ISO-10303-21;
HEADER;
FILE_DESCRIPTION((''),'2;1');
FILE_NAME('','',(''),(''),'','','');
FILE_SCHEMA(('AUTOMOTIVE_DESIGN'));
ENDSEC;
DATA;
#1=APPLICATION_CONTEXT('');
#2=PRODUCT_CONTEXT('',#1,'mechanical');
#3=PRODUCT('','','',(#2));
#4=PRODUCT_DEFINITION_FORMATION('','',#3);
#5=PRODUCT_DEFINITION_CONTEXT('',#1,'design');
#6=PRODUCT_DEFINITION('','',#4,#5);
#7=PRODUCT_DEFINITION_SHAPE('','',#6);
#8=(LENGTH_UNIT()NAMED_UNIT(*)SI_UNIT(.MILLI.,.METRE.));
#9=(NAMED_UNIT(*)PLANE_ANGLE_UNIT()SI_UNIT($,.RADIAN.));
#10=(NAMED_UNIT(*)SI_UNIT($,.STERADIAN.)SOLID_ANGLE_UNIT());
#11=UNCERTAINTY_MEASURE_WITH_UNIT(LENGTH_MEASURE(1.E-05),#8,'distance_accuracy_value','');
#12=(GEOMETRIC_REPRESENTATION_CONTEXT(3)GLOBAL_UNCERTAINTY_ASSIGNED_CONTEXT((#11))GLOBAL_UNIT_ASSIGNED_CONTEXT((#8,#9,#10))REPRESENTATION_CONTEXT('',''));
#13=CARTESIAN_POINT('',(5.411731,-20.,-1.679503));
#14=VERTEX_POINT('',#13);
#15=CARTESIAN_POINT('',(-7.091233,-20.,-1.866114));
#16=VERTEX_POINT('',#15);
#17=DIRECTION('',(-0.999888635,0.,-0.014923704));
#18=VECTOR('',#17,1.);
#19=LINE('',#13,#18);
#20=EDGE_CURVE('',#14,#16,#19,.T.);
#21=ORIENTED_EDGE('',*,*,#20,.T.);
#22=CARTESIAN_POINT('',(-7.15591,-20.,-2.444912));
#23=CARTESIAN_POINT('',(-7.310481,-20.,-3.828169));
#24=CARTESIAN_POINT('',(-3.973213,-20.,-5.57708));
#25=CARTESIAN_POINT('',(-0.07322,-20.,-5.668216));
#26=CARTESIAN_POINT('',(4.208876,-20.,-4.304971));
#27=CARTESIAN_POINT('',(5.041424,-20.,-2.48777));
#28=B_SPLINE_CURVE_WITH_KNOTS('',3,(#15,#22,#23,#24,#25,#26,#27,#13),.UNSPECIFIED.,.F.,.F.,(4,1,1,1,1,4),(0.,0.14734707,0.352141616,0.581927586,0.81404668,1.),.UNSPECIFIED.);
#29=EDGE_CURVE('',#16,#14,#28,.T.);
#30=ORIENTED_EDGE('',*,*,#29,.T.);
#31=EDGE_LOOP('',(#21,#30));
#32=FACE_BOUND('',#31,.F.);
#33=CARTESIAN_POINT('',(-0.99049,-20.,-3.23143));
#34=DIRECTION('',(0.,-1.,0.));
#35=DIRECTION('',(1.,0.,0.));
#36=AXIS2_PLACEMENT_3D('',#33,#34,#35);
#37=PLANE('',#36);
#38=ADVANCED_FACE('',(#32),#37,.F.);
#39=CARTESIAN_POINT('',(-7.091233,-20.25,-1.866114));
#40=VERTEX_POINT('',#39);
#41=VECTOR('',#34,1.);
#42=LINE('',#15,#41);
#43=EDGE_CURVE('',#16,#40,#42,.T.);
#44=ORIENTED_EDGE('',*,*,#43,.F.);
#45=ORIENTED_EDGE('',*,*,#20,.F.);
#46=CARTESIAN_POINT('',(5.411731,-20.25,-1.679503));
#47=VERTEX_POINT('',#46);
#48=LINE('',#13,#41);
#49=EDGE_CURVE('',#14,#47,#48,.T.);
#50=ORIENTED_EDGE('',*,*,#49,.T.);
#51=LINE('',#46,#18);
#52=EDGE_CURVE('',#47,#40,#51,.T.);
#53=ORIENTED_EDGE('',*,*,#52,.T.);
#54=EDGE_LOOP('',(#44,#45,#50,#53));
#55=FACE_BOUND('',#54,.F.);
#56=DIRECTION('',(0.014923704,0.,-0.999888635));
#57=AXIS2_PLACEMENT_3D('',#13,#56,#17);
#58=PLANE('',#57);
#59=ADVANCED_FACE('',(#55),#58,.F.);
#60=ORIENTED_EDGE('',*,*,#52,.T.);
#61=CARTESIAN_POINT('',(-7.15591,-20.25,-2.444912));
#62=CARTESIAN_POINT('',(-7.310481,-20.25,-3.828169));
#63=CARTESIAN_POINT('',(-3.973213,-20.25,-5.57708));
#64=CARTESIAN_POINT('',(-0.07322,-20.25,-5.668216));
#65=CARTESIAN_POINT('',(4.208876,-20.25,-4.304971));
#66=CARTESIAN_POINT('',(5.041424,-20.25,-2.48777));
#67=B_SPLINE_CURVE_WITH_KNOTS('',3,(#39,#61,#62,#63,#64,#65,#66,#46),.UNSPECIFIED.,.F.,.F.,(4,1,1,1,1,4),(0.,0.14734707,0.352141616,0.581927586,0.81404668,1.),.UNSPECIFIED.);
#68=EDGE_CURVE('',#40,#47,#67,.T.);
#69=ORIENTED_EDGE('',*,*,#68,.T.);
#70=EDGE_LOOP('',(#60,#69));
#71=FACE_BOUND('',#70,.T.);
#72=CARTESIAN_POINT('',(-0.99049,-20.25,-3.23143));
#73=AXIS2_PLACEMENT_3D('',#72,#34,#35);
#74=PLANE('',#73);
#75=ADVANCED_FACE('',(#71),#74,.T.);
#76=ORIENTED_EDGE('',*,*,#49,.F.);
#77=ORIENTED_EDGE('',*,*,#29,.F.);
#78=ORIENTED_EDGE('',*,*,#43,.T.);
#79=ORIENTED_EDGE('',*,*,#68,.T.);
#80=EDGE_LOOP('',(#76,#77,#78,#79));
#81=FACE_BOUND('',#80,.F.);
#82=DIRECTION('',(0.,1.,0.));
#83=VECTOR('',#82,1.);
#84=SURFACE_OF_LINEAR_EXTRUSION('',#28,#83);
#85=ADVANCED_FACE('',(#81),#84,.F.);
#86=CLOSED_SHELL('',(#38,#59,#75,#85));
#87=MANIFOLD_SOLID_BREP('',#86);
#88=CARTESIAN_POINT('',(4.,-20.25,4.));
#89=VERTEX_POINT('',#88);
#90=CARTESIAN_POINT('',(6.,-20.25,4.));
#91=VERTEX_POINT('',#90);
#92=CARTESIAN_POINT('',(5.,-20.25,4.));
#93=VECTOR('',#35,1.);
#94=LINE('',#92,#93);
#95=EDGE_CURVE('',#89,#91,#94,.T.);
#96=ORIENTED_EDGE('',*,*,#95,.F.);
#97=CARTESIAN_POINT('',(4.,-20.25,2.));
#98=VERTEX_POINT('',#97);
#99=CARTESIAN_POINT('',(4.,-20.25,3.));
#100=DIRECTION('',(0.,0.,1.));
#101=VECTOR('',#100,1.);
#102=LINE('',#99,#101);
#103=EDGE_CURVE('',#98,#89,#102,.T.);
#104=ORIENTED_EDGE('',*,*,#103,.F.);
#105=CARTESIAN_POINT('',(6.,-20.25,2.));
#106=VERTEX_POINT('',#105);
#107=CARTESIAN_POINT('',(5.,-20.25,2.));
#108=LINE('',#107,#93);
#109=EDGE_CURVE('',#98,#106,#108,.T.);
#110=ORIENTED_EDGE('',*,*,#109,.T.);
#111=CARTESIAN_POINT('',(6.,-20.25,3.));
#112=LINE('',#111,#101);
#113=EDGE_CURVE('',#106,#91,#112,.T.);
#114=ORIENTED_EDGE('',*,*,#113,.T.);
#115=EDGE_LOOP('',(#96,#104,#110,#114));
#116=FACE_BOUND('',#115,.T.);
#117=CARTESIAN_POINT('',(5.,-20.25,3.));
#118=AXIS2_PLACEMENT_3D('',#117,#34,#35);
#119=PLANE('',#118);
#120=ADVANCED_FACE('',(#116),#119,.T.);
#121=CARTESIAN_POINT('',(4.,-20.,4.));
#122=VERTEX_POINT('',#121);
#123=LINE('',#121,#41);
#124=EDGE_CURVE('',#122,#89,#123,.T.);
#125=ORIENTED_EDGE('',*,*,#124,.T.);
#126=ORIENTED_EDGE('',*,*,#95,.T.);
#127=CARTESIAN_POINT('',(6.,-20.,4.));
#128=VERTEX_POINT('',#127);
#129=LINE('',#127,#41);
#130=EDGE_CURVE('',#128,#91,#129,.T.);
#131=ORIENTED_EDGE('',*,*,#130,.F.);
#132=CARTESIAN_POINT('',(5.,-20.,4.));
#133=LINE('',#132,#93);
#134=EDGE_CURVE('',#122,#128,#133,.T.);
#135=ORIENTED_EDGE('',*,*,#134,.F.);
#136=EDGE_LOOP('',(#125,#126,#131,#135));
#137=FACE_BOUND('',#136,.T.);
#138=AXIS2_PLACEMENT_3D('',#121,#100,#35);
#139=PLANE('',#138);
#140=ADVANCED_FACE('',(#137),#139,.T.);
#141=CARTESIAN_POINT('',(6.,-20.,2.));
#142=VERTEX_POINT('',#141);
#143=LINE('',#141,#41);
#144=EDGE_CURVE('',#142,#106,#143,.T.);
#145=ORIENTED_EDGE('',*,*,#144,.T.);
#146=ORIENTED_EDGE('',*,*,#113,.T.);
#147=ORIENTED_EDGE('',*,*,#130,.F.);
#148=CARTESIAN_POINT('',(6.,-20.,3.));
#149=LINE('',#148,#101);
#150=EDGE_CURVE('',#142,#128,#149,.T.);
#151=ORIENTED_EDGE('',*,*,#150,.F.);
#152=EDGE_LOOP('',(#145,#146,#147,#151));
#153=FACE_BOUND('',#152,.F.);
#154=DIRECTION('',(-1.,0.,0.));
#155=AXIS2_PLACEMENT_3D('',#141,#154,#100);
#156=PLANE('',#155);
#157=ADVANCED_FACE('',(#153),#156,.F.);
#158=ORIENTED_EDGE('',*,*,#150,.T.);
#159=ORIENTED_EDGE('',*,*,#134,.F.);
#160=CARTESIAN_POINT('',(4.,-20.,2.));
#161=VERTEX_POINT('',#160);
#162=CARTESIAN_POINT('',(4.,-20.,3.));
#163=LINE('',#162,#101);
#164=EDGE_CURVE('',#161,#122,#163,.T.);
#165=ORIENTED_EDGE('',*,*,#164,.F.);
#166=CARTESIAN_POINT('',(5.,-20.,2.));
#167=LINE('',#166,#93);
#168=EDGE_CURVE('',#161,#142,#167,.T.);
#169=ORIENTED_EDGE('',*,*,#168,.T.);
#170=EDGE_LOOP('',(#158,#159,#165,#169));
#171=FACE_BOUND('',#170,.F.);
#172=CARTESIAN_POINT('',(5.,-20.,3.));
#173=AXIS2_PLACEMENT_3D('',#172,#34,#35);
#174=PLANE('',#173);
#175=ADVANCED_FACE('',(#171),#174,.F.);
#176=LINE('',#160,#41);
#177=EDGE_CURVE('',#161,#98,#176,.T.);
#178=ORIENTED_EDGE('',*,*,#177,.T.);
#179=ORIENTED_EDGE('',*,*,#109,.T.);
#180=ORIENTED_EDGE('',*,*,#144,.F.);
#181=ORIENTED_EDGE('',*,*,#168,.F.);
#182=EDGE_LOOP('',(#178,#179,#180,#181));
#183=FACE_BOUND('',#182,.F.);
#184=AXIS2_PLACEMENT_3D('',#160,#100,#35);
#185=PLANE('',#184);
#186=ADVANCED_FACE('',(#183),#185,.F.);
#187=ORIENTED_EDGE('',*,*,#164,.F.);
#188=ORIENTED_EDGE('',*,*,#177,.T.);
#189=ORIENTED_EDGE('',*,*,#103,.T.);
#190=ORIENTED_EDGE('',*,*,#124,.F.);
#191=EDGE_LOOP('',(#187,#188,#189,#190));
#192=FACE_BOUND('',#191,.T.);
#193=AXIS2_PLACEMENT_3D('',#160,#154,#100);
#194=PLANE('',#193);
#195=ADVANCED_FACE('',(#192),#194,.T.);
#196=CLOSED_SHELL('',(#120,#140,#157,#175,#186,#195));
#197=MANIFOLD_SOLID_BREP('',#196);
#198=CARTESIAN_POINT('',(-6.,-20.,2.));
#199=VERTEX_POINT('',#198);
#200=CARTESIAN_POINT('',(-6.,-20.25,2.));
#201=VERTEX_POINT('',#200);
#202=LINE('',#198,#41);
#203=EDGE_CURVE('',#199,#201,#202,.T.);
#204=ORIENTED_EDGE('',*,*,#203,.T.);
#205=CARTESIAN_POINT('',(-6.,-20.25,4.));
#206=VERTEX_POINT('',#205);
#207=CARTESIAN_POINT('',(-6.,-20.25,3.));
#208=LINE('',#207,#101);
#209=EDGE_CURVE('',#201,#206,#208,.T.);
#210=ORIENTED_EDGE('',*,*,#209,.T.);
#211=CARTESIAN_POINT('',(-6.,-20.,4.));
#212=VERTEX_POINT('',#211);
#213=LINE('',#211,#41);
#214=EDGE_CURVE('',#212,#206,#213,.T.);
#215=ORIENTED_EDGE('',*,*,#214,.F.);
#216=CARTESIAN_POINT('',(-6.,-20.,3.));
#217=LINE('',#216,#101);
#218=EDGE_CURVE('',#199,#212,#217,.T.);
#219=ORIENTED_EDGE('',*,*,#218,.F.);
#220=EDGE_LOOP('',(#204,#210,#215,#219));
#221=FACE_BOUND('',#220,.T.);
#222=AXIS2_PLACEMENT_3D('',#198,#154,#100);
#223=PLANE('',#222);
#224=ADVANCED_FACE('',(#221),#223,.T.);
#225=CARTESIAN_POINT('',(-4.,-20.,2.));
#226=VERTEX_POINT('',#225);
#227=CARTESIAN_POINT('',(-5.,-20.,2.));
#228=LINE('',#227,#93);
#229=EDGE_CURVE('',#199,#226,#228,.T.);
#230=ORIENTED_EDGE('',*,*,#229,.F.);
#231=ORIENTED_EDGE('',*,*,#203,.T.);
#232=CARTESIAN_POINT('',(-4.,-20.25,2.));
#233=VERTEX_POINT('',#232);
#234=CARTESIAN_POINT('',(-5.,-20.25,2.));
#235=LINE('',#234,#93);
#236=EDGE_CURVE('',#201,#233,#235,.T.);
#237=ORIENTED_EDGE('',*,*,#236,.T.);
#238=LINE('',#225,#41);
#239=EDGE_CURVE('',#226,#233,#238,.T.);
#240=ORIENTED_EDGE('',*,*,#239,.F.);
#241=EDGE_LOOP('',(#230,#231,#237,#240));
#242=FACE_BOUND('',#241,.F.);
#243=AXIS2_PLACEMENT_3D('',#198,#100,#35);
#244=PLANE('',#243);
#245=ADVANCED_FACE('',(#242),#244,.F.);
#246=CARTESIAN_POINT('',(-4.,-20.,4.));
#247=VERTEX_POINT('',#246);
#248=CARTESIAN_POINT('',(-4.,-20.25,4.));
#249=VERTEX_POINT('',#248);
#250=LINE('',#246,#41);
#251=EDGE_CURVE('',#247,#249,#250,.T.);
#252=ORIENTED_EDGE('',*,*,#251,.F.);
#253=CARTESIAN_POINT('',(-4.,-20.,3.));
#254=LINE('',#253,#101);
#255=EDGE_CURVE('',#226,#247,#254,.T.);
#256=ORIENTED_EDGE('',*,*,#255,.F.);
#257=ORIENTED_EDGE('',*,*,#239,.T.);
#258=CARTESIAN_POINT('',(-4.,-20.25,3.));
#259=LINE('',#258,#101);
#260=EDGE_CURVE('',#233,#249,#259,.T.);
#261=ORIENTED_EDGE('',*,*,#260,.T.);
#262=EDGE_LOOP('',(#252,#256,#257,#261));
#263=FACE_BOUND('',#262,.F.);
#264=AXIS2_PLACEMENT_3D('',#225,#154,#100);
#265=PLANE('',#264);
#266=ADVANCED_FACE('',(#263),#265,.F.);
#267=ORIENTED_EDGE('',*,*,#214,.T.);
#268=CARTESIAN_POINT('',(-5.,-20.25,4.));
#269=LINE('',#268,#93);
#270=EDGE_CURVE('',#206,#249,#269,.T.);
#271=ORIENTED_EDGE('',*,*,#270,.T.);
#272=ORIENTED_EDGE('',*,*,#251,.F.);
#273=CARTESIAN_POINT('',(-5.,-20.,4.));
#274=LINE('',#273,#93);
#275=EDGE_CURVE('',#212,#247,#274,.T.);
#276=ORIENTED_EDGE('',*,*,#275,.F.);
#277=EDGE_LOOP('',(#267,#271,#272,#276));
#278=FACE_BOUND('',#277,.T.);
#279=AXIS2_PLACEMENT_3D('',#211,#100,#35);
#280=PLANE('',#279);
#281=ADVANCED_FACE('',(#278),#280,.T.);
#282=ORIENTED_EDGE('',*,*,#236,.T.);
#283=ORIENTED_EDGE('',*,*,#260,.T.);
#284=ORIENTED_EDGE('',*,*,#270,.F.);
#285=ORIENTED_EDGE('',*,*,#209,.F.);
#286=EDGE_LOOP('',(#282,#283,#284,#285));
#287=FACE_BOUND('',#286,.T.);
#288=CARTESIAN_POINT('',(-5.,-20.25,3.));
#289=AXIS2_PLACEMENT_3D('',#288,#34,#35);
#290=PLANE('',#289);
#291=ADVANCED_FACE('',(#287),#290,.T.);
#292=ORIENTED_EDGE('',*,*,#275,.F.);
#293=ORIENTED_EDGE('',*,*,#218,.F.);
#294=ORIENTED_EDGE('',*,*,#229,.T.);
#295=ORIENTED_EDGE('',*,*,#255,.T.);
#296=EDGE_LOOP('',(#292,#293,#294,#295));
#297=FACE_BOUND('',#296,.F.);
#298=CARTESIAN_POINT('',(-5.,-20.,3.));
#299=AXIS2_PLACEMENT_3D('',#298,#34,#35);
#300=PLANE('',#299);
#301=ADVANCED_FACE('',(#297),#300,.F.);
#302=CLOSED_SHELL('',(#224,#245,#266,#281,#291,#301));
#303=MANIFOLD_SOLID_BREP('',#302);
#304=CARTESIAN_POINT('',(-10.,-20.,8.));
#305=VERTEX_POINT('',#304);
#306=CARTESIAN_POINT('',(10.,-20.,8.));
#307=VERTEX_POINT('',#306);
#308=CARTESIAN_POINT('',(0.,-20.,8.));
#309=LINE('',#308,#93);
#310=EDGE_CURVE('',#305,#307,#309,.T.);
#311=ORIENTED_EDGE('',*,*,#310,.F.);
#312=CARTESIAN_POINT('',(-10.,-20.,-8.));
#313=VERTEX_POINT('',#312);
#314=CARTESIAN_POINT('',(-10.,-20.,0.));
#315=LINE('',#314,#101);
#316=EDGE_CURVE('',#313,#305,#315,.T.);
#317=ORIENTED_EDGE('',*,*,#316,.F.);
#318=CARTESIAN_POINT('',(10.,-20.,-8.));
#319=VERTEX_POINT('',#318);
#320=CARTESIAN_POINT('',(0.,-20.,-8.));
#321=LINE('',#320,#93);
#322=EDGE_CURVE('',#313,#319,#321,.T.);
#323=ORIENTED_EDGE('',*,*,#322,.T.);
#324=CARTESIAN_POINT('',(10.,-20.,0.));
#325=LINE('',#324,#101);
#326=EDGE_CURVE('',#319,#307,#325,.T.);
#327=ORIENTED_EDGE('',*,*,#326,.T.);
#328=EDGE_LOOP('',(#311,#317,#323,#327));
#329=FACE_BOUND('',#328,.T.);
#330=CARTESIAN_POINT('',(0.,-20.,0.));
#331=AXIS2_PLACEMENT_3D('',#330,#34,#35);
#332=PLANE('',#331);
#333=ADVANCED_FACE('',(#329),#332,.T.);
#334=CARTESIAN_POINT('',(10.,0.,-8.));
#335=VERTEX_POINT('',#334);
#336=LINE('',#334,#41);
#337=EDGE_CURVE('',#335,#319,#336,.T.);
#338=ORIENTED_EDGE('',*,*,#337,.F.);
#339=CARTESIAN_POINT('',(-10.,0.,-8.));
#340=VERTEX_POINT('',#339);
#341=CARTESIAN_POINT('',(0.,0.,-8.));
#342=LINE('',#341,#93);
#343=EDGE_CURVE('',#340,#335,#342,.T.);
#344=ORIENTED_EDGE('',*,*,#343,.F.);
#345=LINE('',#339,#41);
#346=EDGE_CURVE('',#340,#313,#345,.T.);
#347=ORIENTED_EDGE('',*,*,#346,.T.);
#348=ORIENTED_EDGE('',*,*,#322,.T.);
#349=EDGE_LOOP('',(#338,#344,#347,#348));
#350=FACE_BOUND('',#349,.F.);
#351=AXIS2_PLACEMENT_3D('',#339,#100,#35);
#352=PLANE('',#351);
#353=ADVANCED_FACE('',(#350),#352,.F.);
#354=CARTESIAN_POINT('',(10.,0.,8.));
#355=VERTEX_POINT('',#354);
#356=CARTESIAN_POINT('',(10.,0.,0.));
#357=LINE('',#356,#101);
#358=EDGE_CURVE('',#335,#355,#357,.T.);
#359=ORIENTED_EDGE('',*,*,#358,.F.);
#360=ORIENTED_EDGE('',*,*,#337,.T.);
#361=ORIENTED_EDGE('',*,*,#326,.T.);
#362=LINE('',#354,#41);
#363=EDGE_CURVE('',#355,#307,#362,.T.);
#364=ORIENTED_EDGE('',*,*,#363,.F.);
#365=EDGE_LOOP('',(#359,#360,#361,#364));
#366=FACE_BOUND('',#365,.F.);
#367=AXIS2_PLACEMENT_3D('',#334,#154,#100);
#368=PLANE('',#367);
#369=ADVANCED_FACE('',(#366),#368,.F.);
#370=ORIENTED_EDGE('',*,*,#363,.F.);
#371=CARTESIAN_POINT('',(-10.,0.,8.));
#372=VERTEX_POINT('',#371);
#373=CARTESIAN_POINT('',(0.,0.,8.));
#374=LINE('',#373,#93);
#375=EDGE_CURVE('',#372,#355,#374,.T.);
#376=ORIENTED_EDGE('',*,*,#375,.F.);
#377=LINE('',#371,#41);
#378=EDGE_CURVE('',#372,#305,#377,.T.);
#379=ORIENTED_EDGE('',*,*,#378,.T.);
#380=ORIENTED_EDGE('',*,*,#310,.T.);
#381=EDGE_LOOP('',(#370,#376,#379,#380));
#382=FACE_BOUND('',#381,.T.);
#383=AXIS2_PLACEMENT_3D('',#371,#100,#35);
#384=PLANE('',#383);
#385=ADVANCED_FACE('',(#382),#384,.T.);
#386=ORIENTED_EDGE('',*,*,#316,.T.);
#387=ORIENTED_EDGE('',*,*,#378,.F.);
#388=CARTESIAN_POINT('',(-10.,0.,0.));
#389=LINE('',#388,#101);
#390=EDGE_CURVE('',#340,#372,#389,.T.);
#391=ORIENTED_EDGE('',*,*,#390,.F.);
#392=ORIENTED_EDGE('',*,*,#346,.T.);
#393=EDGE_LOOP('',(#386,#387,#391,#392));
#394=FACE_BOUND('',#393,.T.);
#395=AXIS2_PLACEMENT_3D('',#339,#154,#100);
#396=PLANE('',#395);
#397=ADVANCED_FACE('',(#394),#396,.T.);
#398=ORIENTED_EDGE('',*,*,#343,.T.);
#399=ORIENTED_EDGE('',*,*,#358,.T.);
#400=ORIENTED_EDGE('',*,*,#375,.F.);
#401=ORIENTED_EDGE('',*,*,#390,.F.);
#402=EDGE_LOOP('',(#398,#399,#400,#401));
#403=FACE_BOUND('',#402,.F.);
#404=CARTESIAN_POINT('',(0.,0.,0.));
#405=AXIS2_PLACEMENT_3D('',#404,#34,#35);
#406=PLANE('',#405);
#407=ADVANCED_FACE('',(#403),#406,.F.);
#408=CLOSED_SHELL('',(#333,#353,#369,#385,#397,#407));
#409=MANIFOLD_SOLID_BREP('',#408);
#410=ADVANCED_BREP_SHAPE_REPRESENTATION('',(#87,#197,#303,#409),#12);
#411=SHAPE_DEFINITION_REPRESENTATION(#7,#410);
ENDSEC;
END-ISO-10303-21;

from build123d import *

# Parameters (mm, degrees)
F0_W     = 20
F0_H     = 16
F1_DEPTH = 20
F2_W     = 2
F2_H     = 2
F3_DEPTH = 0.25
F5_DEPTH = 0.25


with BuildPart() as f1:
    # F0 (on Front) → F1 (new body)
    with BuildSketch(Plane.XZ):
        Rectangle(F0_W, F0_H)
    extrude(amount=F1_DEPTH)


with BuildPart() as f3:
    # F2 (on face) → F3 (new body)
    with BuildSketch(Plane.XZ.offset(20)):
        with Locations((5, 3)):
            Rectangle(F2_W, F2_H)
    extrude(amount=F3_DEPTH)


with BuildPart() as f3b:
    # F2 (on face) → F3, piece 2 (new body)
    with BuildSketch(Plane.XZ.offset(20)):
        with Locations((-5, 3)):
            Rectangle(F2_W, F2_H)
    extrude(amount=F3_DEPTH)


with BuildPart() as f5:
    # F4 (on face) → F5 (new body)
    with BuildSketch(Plane.XZ.offset(20)):
        with BuildLine():
            Line((5.4117310792, -1.679502544), (-7.0912330411, -1.8661138602))
            add(Edge.make_bspline(
                [(-7.0912330411, -1.8661138602), (-7.1559102468, -2.4449120118), (-7.3104809197, -3.8281693575), (-3.9732129095, -5.5770796248), (-0.0732200144, -5.6682157322), (4.2088757497, -4.3049709771), (5.0414241055, -2.4877703766), (5.4117310792, -1.679502544)],
                knots=[0, 0, 0, 0, 0.1473470695, 0.3521416156, 0.581927586, 0.8140466805, 1, 1, 1, 1], degree=3))
        make_face()
    extrude(amount=F5_DEPTH)


solid = Compound([f1.part, f3.part, f3b.part, f5.part])
